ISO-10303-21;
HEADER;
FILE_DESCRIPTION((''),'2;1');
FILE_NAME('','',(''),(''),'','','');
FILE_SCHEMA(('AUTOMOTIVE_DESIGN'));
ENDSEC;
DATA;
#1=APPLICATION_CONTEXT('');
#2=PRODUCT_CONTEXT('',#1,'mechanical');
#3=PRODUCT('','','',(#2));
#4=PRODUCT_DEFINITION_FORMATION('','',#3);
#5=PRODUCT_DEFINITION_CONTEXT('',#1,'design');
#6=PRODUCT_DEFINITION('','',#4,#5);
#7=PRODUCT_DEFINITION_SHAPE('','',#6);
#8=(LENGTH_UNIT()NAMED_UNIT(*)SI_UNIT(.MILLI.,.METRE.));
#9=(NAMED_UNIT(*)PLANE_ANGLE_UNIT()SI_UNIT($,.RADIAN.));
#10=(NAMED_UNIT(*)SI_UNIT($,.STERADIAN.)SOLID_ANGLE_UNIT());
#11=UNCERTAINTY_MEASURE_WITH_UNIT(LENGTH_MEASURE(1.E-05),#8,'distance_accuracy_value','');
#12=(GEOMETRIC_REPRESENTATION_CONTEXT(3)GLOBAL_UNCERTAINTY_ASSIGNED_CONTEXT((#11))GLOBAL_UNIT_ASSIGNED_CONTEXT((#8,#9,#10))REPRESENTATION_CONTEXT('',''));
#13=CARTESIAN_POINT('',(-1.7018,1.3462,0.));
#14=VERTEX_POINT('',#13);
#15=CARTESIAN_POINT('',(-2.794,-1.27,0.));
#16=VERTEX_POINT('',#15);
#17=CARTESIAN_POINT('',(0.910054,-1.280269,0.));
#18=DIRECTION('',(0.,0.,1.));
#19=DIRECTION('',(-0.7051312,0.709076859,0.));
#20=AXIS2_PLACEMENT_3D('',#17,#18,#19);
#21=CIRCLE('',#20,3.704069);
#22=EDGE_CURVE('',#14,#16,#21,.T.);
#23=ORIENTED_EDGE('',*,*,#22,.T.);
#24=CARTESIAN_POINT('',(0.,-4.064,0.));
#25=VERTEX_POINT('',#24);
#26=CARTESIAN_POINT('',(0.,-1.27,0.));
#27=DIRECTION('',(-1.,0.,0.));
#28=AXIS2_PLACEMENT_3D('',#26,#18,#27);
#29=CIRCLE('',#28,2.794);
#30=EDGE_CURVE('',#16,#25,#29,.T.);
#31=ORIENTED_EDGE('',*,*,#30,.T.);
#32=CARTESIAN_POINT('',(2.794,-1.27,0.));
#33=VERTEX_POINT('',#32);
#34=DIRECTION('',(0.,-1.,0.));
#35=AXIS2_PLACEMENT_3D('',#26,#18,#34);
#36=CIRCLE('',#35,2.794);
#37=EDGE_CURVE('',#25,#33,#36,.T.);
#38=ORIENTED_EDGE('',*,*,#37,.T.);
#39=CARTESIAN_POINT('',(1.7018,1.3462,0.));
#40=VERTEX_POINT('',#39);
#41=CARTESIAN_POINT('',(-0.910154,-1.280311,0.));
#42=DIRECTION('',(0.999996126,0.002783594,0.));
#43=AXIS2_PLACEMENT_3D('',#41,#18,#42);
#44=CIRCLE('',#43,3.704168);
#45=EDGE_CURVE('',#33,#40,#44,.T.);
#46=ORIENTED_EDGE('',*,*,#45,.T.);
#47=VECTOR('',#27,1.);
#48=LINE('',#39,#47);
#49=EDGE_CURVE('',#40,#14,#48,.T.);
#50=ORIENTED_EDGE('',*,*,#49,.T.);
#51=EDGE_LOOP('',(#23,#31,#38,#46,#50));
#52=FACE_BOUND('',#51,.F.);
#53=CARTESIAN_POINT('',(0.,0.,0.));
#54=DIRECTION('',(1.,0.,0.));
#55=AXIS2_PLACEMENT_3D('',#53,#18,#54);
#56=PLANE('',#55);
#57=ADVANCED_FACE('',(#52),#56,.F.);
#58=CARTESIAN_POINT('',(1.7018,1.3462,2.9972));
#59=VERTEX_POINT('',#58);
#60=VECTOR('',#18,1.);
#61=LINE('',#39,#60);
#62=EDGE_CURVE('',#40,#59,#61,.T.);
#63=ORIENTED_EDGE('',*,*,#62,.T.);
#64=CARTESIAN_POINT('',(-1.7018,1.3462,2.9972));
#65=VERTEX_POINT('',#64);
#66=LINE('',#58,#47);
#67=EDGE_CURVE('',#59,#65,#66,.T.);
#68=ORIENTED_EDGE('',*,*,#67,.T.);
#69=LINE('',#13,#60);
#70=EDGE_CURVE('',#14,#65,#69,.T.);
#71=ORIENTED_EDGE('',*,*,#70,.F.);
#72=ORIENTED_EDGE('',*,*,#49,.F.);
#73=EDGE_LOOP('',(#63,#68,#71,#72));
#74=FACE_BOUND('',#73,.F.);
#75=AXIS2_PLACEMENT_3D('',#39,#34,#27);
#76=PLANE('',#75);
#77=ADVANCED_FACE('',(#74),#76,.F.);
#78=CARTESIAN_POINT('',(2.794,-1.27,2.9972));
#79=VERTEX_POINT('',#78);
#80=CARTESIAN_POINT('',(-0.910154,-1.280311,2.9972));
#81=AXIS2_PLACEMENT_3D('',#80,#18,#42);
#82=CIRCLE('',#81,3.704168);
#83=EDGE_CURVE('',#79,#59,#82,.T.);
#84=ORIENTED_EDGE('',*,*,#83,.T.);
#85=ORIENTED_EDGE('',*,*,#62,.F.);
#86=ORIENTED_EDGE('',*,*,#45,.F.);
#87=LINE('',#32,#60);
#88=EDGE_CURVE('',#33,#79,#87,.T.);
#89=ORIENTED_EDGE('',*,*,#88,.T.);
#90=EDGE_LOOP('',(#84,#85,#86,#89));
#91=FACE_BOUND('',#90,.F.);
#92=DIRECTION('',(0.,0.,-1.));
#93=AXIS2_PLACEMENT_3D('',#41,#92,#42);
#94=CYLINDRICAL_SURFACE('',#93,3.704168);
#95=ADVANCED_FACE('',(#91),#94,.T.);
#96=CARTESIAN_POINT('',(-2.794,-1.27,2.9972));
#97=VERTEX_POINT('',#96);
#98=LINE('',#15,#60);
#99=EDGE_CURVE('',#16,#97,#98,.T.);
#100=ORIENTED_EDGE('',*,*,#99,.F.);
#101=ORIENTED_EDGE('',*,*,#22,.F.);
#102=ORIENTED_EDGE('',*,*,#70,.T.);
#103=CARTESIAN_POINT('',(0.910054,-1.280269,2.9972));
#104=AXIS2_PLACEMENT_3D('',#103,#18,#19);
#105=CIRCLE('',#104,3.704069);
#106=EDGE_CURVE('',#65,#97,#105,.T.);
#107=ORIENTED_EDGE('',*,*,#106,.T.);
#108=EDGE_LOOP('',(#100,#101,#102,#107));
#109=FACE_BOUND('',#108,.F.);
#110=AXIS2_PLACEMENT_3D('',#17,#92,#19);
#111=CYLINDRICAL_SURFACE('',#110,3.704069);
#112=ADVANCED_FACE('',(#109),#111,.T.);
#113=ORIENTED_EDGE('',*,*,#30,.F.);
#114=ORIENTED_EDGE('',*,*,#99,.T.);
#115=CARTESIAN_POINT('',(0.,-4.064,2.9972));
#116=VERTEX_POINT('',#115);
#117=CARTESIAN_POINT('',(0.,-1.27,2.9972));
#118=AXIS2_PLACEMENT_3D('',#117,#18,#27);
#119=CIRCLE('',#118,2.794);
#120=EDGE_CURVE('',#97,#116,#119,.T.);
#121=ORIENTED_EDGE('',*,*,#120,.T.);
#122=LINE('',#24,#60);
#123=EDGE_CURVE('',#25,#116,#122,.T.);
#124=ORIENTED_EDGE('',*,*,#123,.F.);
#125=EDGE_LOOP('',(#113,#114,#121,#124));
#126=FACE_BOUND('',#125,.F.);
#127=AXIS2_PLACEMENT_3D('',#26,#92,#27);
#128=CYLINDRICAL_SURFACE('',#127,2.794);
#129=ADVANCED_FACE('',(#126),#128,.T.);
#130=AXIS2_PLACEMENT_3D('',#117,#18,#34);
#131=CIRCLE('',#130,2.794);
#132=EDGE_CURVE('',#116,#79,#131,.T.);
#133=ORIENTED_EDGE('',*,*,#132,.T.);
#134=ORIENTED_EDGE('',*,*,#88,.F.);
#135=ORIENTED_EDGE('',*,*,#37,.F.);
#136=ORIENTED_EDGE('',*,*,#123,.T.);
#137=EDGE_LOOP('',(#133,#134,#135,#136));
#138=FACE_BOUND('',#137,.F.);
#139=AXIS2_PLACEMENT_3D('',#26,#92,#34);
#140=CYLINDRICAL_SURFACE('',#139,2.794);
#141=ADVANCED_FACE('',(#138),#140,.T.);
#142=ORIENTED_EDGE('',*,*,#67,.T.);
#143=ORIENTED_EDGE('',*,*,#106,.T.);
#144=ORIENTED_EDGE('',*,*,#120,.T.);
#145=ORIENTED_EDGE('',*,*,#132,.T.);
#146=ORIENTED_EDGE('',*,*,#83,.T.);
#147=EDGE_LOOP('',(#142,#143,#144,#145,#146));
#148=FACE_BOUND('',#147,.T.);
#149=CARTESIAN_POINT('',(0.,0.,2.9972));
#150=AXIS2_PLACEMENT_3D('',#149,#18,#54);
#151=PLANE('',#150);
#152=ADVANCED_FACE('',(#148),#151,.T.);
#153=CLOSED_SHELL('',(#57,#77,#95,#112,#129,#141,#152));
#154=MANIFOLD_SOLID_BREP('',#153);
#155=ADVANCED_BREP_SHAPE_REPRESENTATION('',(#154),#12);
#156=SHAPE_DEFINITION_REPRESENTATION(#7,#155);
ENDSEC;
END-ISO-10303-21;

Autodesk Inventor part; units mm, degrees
ref_plane "YZ Plane" through (0, 0, 0) normal (1, 0, 0) x (0, 1, 0)
ref_plane "XZ Plane" through (0, 0, 0) normal (0, 1, 0) x (-1, 0, 0)
ref_plane "XY Plane" through (0, 0, 0) normal (0, 0, 1) x (1, 0, 0)
sketch "LEDT175, LED_28" plane through (0, 0, 0) normal (0, 0, 1) x (1, 0, 0)
  arc A0 (-2.794, -1.27) -> (0, -4.064) centre (0, -1.27) ccw
  arc A1 (0, -4.064) -> (2.794, -1.27) centre (0, -1.27) ccw
  arc A2 (2.794, -1.27) -> (1.7018, 1.3462) centre (-0.9101, -1.2803) ccw
  line L0 (1.7018, 1.3462) -> (-1.7018, 1.3462)
  arc A3 (-1.7018, 1.3462) -> (-2.794, -1.27) centre (0.9101, -1.2803) ccw
extrude "Extrusion1" add sketch "LEDT175, LED_28" along normal blind 2.9972
properties part number "LED"
